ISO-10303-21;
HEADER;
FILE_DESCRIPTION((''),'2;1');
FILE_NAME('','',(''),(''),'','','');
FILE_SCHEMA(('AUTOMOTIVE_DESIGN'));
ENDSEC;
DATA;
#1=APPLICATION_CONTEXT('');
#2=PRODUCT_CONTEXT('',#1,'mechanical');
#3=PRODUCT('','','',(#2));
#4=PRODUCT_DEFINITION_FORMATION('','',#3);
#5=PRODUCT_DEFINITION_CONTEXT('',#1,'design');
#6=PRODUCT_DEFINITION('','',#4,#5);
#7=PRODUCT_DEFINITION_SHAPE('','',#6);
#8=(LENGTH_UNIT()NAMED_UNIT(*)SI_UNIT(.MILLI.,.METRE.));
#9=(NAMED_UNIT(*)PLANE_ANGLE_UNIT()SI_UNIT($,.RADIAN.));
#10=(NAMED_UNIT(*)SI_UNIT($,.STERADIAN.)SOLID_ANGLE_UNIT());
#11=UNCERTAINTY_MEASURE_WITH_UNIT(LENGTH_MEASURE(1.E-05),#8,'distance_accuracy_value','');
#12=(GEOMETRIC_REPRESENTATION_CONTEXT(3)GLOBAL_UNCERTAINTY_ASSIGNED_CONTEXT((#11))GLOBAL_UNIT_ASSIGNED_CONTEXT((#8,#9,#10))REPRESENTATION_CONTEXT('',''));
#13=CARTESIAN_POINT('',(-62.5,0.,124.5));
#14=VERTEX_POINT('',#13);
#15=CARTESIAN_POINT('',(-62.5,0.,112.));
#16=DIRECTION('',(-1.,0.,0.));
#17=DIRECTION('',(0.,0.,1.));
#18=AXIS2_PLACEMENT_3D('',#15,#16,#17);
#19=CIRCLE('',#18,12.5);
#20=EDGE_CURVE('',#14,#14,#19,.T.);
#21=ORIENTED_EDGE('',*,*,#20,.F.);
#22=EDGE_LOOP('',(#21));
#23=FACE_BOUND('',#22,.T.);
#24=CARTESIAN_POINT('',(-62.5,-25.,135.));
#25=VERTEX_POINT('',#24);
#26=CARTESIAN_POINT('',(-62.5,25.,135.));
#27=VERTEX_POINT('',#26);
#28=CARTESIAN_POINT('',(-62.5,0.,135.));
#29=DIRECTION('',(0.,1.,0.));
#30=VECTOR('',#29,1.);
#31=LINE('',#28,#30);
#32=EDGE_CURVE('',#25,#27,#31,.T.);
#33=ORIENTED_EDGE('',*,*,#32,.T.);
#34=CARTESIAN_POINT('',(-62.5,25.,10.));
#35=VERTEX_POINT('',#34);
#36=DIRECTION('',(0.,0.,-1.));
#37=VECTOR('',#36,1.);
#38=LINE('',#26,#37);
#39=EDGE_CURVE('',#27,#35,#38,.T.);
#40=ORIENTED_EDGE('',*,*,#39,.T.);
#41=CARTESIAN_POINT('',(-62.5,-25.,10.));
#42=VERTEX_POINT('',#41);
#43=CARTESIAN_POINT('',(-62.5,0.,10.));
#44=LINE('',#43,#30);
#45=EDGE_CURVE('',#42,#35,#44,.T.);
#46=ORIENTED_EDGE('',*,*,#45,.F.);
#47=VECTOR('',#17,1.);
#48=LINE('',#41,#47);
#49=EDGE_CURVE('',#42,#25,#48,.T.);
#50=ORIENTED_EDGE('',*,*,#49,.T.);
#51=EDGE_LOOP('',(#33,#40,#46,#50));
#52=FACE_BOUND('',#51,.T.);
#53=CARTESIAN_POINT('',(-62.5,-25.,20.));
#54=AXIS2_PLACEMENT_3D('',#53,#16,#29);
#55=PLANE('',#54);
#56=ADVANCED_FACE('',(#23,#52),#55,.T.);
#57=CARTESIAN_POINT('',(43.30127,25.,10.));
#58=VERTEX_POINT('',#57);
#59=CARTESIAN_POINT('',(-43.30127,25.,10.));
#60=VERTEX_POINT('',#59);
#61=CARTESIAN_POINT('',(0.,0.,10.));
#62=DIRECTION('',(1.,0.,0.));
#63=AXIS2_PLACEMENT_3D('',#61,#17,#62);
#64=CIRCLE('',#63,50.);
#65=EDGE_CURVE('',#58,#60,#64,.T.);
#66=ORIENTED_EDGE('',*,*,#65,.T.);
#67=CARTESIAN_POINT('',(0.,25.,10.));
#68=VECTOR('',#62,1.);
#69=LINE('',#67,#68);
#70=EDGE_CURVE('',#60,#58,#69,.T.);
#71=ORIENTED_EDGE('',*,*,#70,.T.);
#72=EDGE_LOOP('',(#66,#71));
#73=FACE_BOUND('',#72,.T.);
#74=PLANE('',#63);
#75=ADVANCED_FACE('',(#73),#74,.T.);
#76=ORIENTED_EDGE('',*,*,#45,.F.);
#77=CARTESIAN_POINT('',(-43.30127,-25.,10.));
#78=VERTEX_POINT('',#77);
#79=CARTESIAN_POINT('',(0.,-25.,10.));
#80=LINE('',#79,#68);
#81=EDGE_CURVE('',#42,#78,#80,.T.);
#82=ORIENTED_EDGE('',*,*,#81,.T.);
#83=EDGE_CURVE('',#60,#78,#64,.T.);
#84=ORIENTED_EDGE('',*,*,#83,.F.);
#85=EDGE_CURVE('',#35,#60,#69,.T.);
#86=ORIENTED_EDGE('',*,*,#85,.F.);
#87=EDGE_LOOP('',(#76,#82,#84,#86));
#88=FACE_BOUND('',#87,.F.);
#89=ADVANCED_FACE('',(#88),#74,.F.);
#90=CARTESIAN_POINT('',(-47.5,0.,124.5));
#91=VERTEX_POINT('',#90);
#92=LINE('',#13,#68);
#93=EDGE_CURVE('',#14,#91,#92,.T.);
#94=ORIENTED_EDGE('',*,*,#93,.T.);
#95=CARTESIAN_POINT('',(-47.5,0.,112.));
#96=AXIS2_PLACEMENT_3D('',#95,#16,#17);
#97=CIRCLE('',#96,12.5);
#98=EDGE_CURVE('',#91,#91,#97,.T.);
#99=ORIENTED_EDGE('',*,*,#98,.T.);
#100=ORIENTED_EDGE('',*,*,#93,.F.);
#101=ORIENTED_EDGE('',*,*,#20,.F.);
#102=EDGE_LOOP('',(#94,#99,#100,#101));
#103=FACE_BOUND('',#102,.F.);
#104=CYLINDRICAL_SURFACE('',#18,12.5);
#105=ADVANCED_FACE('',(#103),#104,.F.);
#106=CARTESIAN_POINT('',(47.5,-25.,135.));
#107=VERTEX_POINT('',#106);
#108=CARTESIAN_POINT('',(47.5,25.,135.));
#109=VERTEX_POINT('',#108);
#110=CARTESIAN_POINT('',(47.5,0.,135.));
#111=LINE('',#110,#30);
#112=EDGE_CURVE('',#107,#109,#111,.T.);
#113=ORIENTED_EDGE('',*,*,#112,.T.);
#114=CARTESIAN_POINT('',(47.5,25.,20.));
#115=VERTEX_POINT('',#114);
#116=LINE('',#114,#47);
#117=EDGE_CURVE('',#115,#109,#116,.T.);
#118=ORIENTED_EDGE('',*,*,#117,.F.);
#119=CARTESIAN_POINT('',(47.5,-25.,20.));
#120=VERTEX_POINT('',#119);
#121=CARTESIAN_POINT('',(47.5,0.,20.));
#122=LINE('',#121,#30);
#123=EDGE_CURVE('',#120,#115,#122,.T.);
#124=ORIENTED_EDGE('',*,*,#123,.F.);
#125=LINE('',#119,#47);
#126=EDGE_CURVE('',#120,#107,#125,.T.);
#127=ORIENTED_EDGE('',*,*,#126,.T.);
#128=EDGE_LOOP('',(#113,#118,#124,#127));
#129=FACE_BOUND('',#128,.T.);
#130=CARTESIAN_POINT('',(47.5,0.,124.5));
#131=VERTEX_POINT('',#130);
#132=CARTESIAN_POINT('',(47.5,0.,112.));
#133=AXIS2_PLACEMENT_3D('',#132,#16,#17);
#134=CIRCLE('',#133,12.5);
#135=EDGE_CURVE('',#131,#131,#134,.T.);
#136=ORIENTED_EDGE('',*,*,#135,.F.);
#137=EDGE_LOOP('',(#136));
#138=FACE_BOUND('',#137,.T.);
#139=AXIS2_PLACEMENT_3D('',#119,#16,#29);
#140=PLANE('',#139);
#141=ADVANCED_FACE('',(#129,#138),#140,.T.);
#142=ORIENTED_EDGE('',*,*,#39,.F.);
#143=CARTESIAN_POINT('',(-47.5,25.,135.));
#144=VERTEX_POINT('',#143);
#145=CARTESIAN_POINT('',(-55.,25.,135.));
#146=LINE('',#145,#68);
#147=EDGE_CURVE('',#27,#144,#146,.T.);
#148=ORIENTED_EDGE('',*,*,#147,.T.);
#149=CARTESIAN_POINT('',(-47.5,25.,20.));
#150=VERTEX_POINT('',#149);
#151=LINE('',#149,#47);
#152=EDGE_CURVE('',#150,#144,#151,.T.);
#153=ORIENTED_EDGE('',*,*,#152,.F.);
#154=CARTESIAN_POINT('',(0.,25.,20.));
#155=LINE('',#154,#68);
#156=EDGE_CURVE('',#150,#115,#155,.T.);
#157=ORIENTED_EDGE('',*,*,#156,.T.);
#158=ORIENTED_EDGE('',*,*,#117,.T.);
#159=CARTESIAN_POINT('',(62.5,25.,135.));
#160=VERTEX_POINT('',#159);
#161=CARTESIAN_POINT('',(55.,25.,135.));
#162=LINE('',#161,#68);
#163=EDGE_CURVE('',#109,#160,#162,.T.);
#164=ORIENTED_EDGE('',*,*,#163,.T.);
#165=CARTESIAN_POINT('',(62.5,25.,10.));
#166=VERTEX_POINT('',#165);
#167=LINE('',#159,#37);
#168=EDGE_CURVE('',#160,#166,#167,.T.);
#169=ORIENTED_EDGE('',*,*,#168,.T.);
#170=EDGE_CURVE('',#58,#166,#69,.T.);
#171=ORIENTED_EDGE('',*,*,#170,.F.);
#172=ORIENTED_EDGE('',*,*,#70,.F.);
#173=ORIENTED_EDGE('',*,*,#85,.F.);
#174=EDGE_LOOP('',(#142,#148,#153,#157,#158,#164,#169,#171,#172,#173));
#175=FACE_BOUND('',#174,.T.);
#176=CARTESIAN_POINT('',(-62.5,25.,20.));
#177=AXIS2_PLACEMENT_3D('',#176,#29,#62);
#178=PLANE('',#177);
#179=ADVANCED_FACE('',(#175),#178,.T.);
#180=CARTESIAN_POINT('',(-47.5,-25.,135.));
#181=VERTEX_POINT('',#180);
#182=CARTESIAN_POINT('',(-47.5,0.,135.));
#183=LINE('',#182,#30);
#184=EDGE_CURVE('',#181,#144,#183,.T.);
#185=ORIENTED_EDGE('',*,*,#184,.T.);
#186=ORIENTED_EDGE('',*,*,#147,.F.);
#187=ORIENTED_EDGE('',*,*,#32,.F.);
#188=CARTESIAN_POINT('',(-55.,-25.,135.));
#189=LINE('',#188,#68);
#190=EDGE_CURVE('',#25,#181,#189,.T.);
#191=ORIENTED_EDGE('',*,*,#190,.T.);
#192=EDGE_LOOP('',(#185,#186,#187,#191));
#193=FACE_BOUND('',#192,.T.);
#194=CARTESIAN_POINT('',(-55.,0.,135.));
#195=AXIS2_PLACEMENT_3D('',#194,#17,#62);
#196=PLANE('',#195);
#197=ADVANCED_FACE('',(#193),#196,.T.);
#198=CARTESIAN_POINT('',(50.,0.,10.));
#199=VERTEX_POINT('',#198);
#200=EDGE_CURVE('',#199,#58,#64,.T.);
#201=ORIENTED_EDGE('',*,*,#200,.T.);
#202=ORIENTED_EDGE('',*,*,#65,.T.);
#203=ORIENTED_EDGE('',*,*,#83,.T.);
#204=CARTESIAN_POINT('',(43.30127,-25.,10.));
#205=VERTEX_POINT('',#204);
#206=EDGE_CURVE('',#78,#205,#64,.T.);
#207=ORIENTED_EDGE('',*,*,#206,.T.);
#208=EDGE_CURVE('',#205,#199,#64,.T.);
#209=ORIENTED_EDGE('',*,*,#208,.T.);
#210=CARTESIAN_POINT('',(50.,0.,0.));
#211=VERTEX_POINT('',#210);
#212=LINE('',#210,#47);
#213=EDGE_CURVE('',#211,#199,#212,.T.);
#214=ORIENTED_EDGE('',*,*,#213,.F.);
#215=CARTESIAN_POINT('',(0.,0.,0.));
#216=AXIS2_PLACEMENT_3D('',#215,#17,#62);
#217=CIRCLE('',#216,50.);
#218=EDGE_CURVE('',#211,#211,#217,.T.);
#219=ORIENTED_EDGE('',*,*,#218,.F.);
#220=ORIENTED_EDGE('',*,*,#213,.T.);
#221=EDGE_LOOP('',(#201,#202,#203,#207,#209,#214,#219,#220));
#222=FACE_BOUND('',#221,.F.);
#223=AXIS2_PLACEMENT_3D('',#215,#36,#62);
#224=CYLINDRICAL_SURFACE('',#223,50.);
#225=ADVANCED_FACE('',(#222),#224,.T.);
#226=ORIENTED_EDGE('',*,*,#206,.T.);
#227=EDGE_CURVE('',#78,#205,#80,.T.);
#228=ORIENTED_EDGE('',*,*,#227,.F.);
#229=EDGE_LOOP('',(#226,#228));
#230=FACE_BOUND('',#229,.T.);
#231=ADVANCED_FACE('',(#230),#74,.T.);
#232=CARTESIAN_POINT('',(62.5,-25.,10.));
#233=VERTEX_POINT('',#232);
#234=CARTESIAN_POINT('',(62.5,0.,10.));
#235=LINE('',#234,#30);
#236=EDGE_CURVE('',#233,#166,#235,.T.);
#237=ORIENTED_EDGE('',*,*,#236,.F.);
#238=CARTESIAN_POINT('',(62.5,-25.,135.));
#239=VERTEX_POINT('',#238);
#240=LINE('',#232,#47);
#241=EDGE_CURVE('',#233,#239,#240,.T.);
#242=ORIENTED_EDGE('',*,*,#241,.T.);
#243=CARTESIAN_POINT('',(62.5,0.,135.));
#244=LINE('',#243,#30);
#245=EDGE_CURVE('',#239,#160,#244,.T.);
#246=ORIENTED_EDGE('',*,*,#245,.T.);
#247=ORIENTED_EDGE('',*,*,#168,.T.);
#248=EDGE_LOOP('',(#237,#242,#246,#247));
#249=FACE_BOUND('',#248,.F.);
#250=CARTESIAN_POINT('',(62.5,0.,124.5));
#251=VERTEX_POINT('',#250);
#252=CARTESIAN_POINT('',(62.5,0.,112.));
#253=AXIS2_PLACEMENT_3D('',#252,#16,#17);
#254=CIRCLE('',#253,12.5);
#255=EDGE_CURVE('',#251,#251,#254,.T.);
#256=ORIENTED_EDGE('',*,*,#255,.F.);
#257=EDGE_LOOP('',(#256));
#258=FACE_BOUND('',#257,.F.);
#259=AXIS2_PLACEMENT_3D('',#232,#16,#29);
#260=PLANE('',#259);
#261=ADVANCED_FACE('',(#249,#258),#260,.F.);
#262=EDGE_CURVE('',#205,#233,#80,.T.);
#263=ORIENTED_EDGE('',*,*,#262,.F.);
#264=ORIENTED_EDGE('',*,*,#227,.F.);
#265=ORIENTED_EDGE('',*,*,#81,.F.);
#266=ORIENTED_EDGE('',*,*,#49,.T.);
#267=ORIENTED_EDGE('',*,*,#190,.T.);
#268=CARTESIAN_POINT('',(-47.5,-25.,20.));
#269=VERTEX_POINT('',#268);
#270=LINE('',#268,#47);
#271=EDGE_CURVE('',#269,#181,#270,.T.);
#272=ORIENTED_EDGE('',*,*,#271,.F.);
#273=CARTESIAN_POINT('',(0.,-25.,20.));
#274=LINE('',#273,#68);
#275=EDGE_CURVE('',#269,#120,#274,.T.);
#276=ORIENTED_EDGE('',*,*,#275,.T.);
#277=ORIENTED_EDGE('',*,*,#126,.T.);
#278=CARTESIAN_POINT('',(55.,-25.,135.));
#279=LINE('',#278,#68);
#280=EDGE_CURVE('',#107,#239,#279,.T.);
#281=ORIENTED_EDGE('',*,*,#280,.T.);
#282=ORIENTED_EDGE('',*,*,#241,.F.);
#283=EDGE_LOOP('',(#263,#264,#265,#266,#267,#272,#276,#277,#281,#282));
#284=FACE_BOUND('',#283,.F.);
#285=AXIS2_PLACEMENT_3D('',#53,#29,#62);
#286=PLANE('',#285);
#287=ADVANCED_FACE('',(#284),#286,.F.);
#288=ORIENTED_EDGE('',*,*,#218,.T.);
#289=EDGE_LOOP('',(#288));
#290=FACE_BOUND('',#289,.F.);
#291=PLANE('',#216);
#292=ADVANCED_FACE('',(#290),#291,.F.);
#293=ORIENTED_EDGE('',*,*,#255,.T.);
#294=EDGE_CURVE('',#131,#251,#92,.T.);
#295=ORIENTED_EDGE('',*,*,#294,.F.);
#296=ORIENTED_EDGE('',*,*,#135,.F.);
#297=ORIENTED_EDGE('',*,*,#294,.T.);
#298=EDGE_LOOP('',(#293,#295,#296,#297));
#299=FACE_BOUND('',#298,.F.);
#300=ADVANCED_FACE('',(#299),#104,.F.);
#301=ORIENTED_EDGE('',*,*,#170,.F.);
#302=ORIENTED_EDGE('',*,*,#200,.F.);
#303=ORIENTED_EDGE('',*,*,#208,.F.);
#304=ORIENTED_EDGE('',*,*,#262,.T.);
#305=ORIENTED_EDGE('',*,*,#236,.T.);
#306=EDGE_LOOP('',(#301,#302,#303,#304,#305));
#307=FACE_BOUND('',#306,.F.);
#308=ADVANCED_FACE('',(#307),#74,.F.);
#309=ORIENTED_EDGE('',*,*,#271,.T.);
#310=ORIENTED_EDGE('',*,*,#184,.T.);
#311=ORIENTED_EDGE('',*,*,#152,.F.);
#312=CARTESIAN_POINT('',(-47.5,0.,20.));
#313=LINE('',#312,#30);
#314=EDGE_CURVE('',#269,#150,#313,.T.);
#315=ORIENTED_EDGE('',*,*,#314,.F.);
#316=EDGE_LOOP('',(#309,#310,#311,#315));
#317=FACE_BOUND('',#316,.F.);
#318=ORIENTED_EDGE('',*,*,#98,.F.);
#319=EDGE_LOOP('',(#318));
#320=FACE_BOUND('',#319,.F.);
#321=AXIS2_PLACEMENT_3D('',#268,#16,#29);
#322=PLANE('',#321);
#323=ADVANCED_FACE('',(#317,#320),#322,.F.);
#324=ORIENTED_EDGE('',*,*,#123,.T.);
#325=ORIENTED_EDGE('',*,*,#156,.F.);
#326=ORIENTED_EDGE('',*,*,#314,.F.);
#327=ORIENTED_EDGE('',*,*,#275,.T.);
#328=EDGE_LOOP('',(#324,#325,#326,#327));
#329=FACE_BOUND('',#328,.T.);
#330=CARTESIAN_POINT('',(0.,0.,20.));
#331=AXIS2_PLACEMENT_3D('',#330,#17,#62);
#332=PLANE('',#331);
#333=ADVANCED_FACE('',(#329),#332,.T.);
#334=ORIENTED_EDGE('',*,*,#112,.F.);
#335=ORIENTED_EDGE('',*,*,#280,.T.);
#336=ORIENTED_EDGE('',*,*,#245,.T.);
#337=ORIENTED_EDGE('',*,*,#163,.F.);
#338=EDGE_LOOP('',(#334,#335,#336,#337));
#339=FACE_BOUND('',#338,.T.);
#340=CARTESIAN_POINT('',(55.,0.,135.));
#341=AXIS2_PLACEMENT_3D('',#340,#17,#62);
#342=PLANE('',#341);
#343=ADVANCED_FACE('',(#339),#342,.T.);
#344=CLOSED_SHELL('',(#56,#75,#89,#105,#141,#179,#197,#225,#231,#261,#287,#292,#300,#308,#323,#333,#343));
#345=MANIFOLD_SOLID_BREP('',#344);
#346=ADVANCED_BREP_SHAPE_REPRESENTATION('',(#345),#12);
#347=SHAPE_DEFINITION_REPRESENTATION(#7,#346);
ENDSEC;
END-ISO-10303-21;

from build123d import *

# Parameters (mm, degrees)
SKETCH1_R           = 50
BOSS_EXTRUDE1_DEPTH = 10
SKETCH2_W           = 125
SKETCH2_H           = 50
BOSS_EXTRUDE2_DEPTH = 10
SKETCH3_W           = 15
SKETCH3_H           = 50
BOSS_EXTRUDE3_DEPTH = 115
SKETCH4_R           = 12.5
CUT_EXTRUDE1_DEPTH  = 126


with BuildPart() as part:
    # Sketch1 → Boss-Extrude1 (new body)
    with BuildSketch(Plane.XY):
        Circle(SKETCH1_R)
    extrude(amount=BOSS_EXTRUDE1_DEPTH)

    # Sketch2 → Boss-Extrude2 (add)
    with BuildSketch(Plane.XY.offset(10)):
        Rectangle(SKETCH2_W, SKETCH2_H)
    extrude(amount=BOSS_EXTRUDE2_DEPTH)

    # Sketch3 → Boss-Extrude3 (add)
    with BuildSketch(Plane.XY.offset(20)):
        with Locations((-55, 0)):
            Rectangle(SKETCH3_W, SKETCH3_H)
        with Locations((55, 0)):
            Rectangle(SKETCH3_W, SKETCH3_H)
    extrude(amount=BOSS_EXTRUDE3_DEPTH)

    # Sketch4 → Cut-Extrude1 (cut, through all)
    with BuildSketch(Plane.ZY.offset(62.5)):
        with Locations((112, 0)):
            Circle(SKETCH4_R)
    extrude(amount=-CUT_EXTRUDE1_DEPTH, mode=Mode.SUBTRACT)


solid = part.part
